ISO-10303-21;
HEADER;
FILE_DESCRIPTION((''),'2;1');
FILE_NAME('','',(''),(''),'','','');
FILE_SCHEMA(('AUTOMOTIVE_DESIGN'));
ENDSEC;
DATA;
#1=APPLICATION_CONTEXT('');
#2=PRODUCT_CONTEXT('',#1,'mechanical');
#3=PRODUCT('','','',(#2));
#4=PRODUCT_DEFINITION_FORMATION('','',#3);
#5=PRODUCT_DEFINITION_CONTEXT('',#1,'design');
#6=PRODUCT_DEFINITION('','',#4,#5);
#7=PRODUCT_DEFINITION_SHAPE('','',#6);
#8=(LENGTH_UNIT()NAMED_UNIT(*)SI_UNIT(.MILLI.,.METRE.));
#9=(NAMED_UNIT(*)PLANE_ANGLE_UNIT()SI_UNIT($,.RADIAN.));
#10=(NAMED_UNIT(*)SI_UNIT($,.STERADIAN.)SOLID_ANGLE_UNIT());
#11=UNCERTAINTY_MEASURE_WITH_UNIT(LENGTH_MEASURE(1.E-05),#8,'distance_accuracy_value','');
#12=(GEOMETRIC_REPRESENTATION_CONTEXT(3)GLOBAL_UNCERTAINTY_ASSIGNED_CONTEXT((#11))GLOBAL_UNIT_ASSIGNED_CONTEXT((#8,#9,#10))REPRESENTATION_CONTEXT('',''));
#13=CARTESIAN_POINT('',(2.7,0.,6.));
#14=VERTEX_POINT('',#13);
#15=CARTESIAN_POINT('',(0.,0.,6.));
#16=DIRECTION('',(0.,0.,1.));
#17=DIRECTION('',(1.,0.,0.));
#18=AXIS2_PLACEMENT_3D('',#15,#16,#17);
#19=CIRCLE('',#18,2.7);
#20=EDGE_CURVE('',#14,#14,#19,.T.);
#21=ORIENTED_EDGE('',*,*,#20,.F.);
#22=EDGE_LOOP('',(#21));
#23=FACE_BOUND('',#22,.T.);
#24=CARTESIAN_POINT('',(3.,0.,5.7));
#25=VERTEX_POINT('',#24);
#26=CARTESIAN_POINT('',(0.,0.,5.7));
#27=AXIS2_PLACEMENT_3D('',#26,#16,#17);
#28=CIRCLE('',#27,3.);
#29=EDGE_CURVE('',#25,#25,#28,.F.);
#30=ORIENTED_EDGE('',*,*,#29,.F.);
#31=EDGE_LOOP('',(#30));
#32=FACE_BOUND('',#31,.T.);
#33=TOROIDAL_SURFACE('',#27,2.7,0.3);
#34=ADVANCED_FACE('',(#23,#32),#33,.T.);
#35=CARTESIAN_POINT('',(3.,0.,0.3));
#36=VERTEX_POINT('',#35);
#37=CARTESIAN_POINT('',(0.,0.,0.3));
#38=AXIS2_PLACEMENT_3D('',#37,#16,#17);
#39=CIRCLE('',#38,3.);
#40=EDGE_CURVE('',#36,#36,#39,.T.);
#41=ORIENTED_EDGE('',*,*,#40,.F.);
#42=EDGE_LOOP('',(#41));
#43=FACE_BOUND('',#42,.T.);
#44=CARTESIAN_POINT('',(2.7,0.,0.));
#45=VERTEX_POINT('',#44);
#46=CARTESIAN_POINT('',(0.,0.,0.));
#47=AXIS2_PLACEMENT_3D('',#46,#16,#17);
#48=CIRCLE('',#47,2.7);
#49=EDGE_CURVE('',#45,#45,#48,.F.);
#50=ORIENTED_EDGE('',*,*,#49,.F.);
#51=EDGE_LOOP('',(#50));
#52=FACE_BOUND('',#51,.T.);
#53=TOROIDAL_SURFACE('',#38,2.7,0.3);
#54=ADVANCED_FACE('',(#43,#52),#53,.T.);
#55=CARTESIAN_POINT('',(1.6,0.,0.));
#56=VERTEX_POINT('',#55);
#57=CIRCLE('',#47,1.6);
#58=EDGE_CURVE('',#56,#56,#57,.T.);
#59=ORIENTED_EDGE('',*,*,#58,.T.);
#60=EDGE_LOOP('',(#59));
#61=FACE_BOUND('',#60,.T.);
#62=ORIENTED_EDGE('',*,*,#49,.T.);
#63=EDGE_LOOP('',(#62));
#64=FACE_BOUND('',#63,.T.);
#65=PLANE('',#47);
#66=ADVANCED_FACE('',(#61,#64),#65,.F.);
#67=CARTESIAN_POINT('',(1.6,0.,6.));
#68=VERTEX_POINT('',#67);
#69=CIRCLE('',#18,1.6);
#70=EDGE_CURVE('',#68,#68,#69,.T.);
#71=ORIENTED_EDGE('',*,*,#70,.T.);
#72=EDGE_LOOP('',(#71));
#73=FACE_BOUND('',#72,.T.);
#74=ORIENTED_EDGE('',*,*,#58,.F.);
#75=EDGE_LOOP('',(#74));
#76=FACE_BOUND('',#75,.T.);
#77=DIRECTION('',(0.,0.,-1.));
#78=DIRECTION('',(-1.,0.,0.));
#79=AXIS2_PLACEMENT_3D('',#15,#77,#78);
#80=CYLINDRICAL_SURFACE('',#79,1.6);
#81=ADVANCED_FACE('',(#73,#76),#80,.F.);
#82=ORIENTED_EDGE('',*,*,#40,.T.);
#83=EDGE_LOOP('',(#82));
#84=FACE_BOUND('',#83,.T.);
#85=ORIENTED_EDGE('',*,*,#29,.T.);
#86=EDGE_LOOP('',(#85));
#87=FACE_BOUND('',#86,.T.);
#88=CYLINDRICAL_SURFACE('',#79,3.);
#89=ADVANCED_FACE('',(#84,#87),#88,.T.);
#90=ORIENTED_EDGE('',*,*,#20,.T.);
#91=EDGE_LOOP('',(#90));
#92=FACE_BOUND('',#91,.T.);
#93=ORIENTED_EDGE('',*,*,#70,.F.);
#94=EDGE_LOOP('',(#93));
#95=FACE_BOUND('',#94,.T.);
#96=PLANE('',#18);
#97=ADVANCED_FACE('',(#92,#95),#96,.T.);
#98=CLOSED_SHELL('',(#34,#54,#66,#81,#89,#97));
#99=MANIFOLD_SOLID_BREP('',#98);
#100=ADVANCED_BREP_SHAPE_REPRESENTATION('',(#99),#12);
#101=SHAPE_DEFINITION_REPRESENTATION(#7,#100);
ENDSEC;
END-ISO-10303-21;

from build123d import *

# Parameters (mm, degrees)
SKETCH1_R           = 3
SKETCH1_R_2         = 1.6
BOSS_EXTRUDE1_DEPTH = 6
FILLET1_R           = 0.3


with BuildPart() as part:
    # Sketch1 → Boss-Extrude1 (new body)
    with BuildSketch(Plane.XY):
        Circle(SKETCH1_R)
        Circle(SKETCH1_R_2, mode=Mode.SUBTRACT)
    extrude(amount=BOSS_EXTRUDE1_DEPTH)

    # Fillet1
    fillet1_edges = [part.edges().sort_by_distance(p)[0] for p in [
        (-3, 0, 0),
        (-3, 0, 6),
    ]]
    fillet(fillet1_edges, radius=FILLET1_R)


solid = part.part
